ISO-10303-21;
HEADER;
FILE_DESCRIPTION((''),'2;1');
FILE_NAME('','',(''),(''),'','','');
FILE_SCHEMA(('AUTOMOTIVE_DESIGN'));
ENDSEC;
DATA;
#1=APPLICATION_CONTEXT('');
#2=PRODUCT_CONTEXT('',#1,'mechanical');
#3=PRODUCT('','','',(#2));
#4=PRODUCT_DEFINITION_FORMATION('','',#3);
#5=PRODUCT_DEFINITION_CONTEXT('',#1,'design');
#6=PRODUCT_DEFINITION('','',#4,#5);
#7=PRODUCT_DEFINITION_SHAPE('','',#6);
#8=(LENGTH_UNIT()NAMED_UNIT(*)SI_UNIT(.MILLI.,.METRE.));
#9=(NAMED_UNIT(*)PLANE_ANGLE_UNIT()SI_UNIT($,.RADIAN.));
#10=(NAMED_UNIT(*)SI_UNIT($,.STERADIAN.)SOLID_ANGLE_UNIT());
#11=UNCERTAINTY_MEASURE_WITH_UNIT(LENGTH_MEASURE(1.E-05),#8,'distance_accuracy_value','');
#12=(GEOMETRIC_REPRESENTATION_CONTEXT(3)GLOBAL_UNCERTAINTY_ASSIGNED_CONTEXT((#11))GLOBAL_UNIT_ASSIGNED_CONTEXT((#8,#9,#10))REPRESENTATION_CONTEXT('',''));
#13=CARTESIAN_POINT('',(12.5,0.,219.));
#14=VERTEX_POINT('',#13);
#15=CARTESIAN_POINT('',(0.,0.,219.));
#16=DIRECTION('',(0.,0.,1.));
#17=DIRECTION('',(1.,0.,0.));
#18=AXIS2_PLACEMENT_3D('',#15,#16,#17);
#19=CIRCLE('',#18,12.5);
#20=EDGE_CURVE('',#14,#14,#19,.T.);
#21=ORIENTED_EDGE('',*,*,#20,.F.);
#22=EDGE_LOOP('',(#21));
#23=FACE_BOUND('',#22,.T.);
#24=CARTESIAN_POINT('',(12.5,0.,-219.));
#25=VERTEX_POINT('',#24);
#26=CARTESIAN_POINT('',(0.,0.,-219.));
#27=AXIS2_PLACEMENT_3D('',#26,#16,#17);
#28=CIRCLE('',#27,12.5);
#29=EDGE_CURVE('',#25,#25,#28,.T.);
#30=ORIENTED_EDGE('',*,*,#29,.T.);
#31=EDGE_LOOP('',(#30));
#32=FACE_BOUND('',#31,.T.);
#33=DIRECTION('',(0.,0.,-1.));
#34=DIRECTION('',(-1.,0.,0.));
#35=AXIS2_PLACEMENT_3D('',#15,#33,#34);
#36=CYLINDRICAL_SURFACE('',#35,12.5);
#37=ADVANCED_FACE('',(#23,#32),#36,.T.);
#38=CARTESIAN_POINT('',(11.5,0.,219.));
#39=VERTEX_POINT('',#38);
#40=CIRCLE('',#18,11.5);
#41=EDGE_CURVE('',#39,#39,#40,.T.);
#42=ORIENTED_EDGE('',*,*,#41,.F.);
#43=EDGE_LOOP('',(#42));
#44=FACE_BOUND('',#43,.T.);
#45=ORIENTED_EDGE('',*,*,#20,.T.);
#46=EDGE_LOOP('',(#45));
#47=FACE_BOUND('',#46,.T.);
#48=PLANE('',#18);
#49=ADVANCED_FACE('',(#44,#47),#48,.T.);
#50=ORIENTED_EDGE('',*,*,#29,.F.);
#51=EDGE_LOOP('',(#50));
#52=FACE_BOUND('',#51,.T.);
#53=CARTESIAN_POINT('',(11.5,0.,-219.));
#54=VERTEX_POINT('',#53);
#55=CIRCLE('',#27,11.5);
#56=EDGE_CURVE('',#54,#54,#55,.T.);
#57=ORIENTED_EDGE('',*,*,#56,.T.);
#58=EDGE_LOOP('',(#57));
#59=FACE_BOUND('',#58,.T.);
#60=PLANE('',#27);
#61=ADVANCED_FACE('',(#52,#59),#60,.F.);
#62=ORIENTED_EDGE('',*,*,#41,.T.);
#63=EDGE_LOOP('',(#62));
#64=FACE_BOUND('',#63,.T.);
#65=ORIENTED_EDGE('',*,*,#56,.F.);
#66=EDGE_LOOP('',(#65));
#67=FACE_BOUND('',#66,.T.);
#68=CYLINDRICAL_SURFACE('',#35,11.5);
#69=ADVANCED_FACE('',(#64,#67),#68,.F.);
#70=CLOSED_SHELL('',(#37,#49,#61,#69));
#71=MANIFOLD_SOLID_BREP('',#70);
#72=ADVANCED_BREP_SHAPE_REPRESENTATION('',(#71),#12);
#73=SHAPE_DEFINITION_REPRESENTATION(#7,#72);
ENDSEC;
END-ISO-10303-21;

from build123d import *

# Parameters (mm, degrees)
SKETCH_1_R      = 12.5
SKETCH_1_R_2    = 11.5
EXTRUDE_1_DEPTH = 219


with BuildPart() as part:
    # 草图1 → 凸台-拉伸1 (new, symmetric)
    with BuildSketch(Plane.XY):
        Circle(SKETCH_1_R)
        Circle(SKETCH_1_R_2, mode=Mode.SUBTRACT)
    extrude(amount=EXTRUDE_1_DEPTH, both=True)


solid = part.part
